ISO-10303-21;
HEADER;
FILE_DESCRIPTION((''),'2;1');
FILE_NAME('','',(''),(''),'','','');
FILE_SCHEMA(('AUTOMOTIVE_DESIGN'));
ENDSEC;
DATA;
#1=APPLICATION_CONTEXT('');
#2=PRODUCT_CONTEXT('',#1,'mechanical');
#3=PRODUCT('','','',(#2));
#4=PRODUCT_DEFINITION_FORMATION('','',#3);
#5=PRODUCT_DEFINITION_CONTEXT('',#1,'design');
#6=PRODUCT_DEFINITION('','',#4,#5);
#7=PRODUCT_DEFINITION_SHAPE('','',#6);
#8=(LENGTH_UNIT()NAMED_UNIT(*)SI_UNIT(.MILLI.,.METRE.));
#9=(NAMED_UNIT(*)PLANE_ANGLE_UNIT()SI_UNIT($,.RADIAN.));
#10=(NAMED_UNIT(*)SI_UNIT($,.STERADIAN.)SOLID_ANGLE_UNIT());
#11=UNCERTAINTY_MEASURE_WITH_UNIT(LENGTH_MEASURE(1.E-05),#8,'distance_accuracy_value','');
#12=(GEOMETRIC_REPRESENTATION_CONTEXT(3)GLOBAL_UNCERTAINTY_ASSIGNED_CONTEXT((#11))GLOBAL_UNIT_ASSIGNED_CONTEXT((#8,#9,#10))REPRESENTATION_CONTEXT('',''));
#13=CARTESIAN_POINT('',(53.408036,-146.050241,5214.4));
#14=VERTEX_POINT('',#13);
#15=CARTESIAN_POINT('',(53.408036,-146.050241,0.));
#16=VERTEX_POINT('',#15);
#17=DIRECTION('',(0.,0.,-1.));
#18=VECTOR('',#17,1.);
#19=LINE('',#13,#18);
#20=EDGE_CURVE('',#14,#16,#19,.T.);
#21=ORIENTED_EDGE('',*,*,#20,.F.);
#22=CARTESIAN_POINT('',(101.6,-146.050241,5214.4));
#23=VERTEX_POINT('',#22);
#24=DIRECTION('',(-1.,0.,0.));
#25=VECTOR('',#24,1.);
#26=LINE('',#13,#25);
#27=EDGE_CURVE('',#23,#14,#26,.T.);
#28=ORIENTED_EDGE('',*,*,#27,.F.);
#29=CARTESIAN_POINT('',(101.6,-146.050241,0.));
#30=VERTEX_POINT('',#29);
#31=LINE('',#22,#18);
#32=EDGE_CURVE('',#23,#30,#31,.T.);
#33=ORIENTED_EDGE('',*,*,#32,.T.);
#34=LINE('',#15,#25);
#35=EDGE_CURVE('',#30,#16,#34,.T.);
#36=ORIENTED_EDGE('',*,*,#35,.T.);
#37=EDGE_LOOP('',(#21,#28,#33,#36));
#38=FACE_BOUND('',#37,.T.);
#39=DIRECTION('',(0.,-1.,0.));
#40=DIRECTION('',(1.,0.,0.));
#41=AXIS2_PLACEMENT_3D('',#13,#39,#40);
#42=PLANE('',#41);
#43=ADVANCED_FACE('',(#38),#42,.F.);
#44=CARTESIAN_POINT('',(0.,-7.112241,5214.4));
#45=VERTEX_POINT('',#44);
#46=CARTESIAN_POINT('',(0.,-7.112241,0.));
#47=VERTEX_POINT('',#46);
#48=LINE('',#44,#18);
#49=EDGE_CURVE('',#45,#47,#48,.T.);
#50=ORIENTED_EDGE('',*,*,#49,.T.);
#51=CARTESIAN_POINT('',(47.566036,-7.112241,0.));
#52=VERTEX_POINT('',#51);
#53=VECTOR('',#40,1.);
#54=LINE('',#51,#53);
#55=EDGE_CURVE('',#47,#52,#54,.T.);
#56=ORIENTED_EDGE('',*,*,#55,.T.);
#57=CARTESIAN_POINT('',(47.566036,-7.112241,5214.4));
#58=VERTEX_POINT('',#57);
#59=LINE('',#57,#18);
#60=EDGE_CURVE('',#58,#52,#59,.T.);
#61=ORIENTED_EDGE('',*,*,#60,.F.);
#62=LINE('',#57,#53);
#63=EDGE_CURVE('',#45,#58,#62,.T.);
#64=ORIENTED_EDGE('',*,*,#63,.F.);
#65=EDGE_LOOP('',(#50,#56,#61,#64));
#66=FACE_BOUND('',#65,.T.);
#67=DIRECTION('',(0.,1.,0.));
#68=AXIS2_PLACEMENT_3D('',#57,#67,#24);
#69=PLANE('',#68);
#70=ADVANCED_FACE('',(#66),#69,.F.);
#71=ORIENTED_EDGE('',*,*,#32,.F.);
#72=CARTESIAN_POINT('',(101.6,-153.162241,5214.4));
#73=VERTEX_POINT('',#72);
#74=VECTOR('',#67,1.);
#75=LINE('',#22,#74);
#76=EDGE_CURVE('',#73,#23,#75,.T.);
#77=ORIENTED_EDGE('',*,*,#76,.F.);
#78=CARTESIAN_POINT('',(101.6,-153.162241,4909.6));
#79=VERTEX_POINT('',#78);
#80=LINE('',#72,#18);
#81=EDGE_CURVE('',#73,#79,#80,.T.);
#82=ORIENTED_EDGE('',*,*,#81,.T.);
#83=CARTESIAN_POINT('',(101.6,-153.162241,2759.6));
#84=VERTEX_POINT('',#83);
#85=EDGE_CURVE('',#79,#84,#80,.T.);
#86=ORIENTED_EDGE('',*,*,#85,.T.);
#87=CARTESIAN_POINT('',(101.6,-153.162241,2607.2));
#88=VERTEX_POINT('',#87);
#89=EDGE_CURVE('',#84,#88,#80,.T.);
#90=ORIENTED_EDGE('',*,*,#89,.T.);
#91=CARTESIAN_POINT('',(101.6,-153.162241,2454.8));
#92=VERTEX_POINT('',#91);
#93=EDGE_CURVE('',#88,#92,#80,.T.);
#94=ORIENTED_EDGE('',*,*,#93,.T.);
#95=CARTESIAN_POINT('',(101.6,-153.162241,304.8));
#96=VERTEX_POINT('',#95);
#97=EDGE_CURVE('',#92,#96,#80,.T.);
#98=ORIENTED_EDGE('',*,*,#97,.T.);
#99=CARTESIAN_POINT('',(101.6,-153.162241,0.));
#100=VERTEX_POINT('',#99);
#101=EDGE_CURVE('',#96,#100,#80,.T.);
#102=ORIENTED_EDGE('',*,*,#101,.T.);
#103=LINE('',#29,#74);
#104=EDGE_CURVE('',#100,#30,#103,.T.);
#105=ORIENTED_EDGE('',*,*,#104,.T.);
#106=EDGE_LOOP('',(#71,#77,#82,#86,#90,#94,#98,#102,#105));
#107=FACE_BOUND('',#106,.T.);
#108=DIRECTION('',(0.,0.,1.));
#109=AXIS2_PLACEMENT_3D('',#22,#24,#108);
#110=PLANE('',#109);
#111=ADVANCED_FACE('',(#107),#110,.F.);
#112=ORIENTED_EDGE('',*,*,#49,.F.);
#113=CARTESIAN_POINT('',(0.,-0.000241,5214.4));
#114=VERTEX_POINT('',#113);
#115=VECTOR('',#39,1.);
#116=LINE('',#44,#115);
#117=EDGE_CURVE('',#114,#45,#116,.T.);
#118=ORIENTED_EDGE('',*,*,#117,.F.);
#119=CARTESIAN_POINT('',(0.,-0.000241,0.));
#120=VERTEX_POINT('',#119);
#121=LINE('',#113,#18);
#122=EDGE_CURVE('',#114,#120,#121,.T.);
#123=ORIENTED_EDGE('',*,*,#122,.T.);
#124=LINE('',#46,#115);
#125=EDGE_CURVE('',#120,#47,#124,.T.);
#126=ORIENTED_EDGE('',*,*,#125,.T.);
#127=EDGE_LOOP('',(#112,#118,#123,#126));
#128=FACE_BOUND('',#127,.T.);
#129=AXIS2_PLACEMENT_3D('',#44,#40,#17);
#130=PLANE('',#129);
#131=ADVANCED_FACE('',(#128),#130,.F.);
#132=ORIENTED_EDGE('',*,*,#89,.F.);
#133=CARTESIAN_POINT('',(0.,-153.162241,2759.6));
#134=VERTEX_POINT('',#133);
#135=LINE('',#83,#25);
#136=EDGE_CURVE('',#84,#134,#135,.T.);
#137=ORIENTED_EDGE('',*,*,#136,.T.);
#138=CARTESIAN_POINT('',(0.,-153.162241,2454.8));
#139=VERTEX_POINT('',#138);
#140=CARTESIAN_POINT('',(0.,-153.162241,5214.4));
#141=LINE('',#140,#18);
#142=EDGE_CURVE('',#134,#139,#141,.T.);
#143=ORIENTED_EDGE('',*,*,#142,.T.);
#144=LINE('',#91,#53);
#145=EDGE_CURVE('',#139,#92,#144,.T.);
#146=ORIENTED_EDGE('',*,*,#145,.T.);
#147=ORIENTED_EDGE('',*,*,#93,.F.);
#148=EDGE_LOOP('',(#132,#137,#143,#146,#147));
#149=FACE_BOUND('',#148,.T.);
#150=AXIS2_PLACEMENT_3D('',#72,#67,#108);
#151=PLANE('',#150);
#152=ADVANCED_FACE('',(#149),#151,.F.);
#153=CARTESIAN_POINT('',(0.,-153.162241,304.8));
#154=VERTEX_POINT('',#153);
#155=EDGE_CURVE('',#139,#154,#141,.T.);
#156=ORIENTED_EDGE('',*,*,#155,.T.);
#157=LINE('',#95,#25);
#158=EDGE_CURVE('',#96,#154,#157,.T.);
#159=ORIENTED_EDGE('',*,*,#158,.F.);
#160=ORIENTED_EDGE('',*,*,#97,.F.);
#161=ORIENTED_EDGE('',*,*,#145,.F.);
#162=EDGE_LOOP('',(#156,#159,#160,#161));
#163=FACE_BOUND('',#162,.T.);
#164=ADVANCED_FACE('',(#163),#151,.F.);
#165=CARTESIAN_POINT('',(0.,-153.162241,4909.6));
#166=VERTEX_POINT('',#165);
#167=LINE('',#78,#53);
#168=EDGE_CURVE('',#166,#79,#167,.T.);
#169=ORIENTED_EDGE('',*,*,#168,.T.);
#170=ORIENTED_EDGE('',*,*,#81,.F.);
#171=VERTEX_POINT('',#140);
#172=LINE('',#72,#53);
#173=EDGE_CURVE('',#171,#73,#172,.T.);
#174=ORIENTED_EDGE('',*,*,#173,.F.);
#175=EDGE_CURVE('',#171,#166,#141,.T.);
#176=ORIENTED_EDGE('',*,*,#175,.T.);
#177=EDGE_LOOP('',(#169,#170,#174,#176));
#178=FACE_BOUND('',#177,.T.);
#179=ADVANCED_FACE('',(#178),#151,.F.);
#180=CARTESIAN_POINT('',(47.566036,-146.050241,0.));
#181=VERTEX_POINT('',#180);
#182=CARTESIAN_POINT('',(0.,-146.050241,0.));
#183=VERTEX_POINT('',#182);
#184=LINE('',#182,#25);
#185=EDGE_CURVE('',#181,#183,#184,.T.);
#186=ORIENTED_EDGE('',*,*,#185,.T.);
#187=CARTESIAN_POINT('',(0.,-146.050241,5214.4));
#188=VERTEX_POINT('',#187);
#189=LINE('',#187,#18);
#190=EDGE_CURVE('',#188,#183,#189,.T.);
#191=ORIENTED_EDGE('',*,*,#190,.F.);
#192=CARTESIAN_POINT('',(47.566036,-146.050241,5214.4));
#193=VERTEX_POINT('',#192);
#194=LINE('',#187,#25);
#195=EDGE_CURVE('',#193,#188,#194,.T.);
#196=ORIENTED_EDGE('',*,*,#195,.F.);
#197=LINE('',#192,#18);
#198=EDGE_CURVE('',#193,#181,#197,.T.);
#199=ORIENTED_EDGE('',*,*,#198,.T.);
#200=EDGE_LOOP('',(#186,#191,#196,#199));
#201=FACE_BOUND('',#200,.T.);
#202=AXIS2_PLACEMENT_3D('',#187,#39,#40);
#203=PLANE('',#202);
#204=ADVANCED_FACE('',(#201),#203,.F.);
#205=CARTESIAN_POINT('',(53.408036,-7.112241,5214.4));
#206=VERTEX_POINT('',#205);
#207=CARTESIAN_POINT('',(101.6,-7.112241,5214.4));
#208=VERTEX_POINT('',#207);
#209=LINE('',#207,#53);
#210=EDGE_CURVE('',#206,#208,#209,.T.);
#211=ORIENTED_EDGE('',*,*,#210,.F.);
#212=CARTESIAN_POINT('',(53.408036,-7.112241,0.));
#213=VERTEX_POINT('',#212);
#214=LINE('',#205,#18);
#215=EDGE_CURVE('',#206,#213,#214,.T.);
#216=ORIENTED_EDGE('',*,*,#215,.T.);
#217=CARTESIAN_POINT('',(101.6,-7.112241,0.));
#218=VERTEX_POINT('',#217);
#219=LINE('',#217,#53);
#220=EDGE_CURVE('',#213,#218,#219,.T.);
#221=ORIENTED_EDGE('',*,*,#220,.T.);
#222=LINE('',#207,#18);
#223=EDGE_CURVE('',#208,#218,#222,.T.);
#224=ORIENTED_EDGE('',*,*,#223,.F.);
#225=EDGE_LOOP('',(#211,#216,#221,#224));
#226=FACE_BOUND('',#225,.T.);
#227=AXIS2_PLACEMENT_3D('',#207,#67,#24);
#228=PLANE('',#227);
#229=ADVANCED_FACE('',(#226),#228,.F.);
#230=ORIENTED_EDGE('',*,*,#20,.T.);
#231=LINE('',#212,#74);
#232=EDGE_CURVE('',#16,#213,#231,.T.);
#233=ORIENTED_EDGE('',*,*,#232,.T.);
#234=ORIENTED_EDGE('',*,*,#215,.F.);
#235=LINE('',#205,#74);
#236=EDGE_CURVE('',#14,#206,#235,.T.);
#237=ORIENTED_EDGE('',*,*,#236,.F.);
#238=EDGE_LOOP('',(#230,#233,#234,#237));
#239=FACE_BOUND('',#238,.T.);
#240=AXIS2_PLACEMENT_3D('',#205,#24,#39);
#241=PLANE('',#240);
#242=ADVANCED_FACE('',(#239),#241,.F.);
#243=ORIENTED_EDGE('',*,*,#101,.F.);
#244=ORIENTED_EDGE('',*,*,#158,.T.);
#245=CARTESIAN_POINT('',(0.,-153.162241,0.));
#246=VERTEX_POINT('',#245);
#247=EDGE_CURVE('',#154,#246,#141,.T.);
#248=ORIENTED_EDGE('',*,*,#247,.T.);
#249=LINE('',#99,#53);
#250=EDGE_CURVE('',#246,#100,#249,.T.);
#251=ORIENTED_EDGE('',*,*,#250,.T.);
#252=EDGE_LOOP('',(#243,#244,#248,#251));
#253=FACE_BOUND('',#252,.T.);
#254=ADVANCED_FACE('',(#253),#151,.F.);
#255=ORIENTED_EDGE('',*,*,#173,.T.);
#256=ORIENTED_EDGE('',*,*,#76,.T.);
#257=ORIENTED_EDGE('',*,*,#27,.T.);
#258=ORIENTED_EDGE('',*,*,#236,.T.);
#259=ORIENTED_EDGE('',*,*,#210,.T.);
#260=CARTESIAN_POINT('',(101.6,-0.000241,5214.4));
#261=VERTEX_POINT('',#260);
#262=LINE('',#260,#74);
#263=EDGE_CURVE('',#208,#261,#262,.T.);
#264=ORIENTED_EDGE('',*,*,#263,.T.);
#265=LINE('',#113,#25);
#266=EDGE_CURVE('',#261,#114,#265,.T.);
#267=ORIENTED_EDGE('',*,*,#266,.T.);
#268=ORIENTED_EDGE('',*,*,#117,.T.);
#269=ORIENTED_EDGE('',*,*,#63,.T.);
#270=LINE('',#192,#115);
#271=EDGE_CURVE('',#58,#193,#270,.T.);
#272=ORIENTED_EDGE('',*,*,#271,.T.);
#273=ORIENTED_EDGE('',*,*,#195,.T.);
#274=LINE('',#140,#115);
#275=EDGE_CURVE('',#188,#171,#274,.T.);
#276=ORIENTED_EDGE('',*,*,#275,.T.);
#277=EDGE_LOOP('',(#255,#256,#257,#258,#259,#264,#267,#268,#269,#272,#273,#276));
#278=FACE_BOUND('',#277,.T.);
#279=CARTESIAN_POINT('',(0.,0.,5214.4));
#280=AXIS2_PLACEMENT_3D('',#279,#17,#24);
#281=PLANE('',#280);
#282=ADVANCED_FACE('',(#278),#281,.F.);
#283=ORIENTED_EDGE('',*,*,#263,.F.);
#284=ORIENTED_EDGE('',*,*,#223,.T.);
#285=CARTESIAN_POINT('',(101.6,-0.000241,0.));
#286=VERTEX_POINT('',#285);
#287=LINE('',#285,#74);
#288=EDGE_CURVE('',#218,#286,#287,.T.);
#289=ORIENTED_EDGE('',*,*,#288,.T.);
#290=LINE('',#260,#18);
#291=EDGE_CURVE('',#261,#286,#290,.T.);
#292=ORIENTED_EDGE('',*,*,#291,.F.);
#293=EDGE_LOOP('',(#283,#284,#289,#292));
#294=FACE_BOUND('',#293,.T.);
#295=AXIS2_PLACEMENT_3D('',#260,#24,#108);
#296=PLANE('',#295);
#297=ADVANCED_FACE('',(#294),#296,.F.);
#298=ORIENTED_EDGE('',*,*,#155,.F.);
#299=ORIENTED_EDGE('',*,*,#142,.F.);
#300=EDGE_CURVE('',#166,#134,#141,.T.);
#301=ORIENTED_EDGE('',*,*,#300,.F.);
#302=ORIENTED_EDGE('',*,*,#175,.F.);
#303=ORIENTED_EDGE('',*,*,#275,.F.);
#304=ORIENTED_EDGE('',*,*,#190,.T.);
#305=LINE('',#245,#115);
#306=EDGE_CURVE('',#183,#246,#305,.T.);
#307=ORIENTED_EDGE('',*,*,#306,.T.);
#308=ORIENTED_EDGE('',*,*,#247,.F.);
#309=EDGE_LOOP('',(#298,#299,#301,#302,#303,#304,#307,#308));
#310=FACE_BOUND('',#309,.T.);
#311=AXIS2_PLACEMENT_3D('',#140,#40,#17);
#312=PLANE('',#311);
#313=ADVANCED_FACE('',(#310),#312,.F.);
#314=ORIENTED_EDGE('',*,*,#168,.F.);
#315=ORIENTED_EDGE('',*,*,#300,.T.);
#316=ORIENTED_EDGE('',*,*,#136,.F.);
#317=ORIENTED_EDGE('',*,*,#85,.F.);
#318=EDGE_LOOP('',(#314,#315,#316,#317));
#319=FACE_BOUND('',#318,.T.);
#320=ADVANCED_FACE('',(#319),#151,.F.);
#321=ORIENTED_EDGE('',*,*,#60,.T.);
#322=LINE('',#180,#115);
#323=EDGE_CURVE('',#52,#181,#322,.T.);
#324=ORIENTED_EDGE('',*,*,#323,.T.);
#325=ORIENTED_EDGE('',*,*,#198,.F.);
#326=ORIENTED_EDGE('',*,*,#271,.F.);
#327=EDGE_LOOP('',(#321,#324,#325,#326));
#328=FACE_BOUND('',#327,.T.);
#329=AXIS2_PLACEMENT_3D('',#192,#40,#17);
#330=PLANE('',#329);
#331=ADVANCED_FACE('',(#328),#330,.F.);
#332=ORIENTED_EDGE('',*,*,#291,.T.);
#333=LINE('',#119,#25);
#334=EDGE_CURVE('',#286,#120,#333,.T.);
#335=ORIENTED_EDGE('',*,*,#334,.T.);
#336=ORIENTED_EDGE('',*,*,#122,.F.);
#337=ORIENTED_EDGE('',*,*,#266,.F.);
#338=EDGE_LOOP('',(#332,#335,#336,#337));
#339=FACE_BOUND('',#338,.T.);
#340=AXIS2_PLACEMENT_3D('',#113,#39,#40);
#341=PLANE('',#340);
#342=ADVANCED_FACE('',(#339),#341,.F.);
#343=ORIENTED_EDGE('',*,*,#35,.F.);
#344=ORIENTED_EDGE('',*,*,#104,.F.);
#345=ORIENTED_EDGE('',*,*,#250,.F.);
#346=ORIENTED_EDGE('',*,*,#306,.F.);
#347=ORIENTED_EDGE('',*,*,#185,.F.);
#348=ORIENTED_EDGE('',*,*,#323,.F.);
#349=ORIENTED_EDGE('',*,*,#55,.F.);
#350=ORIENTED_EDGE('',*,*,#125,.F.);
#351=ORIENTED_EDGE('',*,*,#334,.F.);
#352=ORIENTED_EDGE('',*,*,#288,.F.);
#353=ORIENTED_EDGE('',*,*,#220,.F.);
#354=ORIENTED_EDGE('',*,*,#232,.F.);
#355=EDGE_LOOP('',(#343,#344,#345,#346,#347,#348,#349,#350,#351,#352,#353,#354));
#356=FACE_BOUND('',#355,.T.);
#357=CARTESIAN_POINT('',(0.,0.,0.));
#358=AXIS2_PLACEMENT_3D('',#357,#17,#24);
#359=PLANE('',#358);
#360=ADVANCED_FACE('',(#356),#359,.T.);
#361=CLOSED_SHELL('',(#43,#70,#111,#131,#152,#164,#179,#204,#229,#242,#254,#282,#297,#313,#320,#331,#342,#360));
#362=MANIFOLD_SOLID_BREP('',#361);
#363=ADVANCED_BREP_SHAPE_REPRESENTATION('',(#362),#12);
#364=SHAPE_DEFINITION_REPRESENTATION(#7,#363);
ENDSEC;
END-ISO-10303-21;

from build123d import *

# Parameters (mm, degrees)
BOSS_EXTRUDE1_DEPTH = 5214.4


with BuildPart() as part:
    # Sketch1 → Boss-Extrude1 (new body)
    with BuildSketch(Plane.XY):
        Polygon((0, -0.000240533), (101.6, -0.000240533), (101.6, -7.112240533), (53.408035714, -7.112240533), (53.408035714, -146.050240533), (101.6, -146.050240533), (101.6, -153.162240533), (0, -153.162240533), (0, -146.050240533), (47.566035714, -146.050240533), (47.566035714, -7.112240533), (0, -7.112240533), align=None)
    extrude(amount=BOSS_EXTRUDE1_DEPTH)


solid = part.part
